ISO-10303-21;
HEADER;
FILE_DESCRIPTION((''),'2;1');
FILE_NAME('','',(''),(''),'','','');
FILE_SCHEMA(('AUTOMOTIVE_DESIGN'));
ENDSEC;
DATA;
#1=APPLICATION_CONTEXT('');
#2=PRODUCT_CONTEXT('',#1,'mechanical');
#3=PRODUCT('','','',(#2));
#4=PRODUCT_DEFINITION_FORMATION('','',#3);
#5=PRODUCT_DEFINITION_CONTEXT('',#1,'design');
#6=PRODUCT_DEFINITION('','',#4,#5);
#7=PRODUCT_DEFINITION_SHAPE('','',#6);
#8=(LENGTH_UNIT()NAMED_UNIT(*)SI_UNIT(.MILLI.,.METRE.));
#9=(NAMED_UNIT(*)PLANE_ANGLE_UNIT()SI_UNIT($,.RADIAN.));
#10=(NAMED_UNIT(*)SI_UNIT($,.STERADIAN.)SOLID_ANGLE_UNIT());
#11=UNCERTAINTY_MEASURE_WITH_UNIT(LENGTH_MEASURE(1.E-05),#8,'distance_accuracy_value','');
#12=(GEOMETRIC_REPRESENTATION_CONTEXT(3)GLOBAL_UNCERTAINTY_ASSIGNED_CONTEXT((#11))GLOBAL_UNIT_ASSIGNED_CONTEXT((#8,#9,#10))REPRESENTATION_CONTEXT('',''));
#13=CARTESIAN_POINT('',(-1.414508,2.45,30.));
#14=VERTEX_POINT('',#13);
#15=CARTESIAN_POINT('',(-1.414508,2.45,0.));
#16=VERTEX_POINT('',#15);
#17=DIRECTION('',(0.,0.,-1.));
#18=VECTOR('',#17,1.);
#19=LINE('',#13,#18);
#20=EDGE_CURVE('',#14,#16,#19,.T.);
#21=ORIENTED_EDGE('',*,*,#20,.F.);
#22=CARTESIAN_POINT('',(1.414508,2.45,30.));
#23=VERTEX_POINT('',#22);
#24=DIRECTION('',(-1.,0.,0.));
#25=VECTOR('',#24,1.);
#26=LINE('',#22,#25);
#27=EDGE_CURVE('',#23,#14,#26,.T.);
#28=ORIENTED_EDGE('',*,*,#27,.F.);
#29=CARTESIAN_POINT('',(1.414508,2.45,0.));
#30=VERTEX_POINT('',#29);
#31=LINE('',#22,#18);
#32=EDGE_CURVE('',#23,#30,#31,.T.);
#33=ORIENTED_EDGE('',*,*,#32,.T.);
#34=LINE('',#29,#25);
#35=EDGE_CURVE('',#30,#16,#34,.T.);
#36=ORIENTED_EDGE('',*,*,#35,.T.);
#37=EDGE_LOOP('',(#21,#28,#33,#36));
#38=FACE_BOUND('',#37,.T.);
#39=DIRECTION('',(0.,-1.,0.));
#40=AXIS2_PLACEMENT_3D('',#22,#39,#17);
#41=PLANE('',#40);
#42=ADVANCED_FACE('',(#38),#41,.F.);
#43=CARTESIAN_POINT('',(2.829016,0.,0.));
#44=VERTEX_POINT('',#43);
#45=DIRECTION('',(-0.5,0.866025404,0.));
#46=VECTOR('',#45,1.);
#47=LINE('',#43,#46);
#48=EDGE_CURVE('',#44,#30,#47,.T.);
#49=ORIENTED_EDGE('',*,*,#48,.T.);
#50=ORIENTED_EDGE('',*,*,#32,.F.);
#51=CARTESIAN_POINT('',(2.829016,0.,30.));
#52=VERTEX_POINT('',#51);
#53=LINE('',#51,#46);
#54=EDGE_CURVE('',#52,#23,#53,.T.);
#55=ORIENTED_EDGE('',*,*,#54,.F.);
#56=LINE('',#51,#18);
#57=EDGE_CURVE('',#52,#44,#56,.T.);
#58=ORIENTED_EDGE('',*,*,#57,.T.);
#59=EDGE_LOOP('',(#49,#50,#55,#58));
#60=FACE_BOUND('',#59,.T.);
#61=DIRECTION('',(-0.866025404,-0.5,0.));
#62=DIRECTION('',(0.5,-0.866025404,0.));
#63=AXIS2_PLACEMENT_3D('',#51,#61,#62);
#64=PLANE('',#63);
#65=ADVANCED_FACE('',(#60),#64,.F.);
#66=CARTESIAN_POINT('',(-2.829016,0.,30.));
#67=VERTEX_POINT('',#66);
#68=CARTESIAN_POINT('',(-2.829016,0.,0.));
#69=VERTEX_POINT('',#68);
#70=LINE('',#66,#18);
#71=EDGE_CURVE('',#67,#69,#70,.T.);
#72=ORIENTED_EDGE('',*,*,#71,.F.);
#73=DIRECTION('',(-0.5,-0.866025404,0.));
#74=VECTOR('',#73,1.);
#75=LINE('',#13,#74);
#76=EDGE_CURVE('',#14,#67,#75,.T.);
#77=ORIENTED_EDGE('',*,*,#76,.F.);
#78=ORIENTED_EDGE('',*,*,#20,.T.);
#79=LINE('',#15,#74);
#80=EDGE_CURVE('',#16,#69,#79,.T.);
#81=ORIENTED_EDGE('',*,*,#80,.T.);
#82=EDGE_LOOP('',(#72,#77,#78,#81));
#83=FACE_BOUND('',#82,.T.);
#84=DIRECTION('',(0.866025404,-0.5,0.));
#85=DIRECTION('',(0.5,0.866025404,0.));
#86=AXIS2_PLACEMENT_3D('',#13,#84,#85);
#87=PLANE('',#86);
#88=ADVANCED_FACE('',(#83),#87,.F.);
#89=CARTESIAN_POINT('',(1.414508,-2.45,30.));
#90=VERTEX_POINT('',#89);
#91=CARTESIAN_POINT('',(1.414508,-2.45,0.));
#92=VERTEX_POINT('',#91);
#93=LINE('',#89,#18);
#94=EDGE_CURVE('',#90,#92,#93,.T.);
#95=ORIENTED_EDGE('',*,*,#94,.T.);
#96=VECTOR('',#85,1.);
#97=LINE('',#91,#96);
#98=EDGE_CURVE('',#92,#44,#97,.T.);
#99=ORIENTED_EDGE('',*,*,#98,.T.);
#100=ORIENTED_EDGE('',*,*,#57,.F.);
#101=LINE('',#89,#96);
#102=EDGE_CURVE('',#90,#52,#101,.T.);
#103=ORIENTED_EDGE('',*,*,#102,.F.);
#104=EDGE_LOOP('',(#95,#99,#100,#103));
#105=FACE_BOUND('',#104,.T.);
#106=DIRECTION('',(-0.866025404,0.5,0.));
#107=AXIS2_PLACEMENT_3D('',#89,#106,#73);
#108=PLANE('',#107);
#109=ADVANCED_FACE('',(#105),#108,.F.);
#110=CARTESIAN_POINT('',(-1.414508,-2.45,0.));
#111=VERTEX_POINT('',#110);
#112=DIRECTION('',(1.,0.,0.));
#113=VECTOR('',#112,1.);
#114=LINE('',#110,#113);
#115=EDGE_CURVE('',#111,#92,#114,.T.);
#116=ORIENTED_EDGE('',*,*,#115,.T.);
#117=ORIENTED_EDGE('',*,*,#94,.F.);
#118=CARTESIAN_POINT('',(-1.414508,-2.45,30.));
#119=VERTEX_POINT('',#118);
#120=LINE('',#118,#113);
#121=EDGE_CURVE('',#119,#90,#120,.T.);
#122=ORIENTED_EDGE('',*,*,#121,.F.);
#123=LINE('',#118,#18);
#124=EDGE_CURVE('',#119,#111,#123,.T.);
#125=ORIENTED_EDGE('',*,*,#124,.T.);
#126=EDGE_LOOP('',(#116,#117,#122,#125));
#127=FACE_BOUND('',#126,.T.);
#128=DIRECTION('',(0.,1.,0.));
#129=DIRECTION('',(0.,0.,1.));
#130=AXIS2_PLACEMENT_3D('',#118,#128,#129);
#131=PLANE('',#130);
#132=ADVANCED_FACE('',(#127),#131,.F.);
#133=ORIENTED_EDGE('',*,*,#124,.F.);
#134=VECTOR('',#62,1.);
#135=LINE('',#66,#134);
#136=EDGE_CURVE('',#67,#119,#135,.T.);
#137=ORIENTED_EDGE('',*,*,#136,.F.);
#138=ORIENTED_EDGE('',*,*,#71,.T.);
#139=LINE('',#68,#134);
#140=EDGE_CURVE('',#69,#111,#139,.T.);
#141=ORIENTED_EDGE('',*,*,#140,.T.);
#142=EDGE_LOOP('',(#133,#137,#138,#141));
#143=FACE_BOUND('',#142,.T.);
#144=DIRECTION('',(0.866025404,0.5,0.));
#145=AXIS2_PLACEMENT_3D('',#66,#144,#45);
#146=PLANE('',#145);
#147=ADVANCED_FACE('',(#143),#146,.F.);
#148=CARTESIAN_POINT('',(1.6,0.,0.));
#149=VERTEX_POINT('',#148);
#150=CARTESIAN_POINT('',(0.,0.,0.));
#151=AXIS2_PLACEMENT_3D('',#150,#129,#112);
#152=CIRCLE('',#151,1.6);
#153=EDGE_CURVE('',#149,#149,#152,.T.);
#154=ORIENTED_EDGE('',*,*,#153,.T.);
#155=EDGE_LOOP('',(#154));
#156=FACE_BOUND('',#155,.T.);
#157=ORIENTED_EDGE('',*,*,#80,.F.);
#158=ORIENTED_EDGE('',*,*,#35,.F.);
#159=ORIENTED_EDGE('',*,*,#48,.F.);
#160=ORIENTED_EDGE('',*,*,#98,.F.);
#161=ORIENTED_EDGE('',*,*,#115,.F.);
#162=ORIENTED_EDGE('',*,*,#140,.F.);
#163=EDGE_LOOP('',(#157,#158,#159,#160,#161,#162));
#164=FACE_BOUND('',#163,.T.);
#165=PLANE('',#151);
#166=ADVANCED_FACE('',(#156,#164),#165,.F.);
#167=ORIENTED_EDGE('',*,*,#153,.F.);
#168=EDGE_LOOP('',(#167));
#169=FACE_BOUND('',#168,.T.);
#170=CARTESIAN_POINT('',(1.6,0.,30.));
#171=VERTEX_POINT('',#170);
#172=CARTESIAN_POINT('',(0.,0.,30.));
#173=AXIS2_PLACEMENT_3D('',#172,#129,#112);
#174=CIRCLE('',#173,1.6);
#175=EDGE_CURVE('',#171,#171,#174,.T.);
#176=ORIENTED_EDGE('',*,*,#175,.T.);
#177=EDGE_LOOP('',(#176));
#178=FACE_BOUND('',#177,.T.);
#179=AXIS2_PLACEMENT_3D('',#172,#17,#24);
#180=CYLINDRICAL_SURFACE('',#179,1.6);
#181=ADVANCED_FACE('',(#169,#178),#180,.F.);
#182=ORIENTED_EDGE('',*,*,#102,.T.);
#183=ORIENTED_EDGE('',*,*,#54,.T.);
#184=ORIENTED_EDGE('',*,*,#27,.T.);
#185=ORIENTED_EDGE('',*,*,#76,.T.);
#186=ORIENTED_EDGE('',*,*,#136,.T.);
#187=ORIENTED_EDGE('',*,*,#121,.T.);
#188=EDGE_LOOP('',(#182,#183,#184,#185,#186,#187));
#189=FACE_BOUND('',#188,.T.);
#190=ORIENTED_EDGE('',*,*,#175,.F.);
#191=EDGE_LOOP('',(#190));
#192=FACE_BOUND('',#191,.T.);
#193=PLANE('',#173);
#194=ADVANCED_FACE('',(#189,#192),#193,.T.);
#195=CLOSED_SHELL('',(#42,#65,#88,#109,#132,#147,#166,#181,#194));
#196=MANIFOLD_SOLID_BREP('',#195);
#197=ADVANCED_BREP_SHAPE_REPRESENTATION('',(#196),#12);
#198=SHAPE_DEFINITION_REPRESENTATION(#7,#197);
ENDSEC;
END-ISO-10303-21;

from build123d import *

# Parameters (mm, degrees)
SKETCH_1_R      = 1.6
EXTRUDE_1_DEPTH = 30


with BuildPart() as part:
    # 草图1 → 凸台-拉伸1 (new body)
    with BuildSketch(Plane.XY):
        Polygon((2.829016319, 0), (1.41450816, 2.45), (-1.41450816, 2.45), (-2.829016319, 0), (-1.41450816, -2.45), (1.41450816, -2.45), align=None)
        Circle(SKETCH_1_R, mode=Mode.SUBTRACT)
    extrude(amount=EXTRUDE_1_DEPTH)


solid = part.part
